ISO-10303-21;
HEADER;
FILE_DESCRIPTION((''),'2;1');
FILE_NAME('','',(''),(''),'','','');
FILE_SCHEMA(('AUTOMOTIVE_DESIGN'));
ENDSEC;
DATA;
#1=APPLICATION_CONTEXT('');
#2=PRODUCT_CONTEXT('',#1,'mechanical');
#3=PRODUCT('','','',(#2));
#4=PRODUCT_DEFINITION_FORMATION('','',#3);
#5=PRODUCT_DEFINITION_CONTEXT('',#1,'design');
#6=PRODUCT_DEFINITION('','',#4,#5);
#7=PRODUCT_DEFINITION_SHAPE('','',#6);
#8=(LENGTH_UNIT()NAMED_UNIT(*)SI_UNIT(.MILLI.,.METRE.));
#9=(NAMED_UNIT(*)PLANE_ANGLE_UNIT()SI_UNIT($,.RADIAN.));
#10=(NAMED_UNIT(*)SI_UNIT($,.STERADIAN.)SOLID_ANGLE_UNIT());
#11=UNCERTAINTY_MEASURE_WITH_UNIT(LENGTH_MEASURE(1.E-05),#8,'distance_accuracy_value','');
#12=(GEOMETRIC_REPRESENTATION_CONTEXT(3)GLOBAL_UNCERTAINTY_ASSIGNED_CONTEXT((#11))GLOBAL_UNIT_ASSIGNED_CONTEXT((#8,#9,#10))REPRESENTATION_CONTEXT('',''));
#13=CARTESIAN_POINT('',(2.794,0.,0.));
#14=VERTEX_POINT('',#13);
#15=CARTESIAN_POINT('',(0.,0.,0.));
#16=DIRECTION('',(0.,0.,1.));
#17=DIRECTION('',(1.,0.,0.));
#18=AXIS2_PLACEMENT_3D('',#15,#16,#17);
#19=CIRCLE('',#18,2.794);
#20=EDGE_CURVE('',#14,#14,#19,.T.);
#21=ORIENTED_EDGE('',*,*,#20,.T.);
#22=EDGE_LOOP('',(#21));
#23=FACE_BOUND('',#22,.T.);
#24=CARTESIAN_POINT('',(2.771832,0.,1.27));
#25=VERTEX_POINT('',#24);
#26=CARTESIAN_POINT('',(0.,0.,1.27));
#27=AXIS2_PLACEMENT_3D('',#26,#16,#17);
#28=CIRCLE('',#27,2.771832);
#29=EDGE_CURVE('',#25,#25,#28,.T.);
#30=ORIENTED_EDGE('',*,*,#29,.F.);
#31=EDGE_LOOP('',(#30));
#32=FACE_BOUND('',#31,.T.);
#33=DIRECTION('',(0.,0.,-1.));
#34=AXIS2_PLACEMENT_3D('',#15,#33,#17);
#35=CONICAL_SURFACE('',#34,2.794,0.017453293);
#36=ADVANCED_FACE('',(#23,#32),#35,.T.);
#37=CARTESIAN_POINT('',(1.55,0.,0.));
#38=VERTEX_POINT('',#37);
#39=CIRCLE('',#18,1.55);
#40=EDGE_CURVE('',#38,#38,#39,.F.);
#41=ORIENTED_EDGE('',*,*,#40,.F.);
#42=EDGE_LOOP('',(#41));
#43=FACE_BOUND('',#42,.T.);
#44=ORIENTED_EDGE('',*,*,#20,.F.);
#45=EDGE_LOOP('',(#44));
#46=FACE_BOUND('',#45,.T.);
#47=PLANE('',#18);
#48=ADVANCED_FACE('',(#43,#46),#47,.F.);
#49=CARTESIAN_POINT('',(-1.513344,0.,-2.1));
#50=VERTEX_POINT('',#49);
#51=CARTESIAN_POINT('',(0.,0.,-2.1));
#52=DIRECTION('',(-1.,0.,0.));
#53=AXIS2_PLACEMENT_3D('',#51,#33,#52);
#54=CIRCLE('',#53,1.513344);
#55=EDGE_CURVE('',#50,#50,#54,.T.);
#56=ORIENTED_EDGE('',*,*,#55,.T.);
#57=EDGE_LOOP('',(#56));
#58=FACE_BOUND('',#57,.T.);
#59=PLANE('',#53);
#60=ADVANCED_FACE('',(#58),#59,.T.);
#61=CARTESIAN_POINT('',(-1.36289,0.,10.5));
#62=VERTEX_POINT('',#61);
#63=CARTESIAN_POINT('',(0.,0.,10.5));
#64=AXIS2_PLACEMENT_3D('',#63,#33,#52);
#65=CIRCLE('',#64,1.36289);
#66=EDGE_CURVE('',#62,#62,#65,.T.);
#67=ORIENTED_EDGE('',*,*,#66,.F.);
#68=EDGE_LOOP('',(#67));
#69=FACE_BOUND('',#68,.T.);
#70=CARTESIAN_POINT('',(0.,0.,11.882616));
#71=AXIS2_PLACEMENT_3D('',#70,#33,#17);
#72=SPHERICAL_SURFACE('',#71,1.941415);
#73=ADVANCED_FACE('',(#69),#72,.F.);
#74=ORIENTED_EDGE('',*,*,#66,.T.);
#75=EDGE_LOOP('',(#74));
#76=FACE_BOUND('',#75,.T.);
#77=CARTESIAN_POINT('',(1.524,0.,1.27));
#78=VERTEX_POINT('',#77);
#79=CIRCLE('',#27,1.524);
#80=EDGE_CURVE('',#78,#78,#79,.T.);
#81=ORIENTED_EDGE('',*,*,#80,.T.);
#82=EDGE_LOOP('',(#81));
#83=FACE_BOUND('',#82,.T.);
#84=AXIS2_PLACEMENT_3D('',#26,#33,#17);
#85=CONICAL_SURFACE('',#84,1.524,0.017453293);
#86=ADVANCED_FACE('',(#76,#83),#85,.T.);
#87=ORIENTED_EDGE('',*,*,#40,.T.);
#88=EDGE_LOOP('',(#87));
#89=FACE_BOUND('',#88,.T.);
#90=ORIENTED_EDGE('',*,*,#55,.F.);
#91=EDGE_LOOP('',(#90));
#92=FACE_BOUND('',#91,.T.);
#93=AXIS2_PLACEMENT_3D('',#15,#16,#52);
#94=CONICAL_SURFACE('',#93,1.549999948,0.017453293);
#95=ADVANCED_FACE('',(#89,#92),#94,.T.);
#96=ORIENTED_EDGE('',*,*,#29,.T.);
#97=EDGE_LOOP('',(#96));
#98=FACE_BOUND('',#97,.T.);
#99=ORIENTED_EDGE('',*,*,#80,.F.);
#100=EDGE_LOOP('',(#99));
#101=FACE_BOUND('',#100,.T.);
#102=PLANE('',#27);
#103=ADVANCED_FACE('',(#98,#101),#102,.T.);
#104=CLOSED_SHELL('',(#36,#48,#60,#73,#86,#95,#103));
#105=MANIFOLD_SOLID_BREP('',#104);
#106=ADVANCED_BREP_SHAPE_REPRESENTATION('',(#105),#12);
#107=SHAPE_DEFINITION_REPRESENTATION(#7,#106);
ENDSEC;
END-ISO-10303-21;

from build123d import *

# Parameters (mm, degrees)
SKETCH1_R           = 2.794
BOSS_EXTRUDE1_DEPTH = 1.27
BOSS_EXTRUDE1_TAPER = 1
SKETCH2_R           = 1.524
BOSS_EXTRUDE2_DEPTH = 9.23000005
BOSS_EXTRUDE2_TAPER = 1
SKETCH3_R           = 1.549999948
BOSS_EXTRUDE3_DEPTH = 2.1
BOSS_EXTRUDE3_TAPER = 1


with BuildPart() as part:
    # Sketch1 → Boss-Extrude1 (new body)
    with BuildSketch(Plane.XY):
        Circle(SKETCH1_R)
    extrude(amount=BOSS_EXTRUDE1_DEPTH, taper=BOSS_EXTRUDE1_TAPER)

    # Sketch2 → Boss-Extrude2 (add)
    with BuildSketch(Plane.XY.offset(1.27)):
        Circle(SKETCH2_R)
    extrude(amount=BOSS_EXTRUDE2_DEPTH, taper=BOSS_EXTRUDE2_TAPER)

    # Sketch3 → Boss-Extrude3 (add)
    with BuildSketch(Plane(origin=(0, 0, 0), x_dir=(-1, 0, 0), z_dir=(0, 0, -1))):
        Circle(SKETCH3_R)
    extrude(amount=BOSS_EXTRUDE3_DEPTH, taper=BOSS_EXTRUDE3_TAPER)

    # Sketch5 → Cut-Revolve4 (revolve, cut)
    with BuildSketch(Plane(origin=(0, 0, 0), x_dir=(1, 0, 0), z_dir=(0, 1, 0))):
        with BuildLine():
            Line((0, -10.50000005), (0, -9.94120005))
            ThreePointArc((0, -9.94120005), (0.736499476, -10.086324189), (1.36288975, -10.50000005))
            Line((1.36288975, -10.50000005), (1.36288975, -10.823922581))
            Line((1.36288975, -10.823922581), (0, -10.823922581))
            Line((0, -10.823922581), (0, -10.50000005))
        make_face()
    revolve(axis=Axis((0, 0, 1.27), (0, 0, 1)), mode=Mode.SUBTRACT)


solid = part.part
